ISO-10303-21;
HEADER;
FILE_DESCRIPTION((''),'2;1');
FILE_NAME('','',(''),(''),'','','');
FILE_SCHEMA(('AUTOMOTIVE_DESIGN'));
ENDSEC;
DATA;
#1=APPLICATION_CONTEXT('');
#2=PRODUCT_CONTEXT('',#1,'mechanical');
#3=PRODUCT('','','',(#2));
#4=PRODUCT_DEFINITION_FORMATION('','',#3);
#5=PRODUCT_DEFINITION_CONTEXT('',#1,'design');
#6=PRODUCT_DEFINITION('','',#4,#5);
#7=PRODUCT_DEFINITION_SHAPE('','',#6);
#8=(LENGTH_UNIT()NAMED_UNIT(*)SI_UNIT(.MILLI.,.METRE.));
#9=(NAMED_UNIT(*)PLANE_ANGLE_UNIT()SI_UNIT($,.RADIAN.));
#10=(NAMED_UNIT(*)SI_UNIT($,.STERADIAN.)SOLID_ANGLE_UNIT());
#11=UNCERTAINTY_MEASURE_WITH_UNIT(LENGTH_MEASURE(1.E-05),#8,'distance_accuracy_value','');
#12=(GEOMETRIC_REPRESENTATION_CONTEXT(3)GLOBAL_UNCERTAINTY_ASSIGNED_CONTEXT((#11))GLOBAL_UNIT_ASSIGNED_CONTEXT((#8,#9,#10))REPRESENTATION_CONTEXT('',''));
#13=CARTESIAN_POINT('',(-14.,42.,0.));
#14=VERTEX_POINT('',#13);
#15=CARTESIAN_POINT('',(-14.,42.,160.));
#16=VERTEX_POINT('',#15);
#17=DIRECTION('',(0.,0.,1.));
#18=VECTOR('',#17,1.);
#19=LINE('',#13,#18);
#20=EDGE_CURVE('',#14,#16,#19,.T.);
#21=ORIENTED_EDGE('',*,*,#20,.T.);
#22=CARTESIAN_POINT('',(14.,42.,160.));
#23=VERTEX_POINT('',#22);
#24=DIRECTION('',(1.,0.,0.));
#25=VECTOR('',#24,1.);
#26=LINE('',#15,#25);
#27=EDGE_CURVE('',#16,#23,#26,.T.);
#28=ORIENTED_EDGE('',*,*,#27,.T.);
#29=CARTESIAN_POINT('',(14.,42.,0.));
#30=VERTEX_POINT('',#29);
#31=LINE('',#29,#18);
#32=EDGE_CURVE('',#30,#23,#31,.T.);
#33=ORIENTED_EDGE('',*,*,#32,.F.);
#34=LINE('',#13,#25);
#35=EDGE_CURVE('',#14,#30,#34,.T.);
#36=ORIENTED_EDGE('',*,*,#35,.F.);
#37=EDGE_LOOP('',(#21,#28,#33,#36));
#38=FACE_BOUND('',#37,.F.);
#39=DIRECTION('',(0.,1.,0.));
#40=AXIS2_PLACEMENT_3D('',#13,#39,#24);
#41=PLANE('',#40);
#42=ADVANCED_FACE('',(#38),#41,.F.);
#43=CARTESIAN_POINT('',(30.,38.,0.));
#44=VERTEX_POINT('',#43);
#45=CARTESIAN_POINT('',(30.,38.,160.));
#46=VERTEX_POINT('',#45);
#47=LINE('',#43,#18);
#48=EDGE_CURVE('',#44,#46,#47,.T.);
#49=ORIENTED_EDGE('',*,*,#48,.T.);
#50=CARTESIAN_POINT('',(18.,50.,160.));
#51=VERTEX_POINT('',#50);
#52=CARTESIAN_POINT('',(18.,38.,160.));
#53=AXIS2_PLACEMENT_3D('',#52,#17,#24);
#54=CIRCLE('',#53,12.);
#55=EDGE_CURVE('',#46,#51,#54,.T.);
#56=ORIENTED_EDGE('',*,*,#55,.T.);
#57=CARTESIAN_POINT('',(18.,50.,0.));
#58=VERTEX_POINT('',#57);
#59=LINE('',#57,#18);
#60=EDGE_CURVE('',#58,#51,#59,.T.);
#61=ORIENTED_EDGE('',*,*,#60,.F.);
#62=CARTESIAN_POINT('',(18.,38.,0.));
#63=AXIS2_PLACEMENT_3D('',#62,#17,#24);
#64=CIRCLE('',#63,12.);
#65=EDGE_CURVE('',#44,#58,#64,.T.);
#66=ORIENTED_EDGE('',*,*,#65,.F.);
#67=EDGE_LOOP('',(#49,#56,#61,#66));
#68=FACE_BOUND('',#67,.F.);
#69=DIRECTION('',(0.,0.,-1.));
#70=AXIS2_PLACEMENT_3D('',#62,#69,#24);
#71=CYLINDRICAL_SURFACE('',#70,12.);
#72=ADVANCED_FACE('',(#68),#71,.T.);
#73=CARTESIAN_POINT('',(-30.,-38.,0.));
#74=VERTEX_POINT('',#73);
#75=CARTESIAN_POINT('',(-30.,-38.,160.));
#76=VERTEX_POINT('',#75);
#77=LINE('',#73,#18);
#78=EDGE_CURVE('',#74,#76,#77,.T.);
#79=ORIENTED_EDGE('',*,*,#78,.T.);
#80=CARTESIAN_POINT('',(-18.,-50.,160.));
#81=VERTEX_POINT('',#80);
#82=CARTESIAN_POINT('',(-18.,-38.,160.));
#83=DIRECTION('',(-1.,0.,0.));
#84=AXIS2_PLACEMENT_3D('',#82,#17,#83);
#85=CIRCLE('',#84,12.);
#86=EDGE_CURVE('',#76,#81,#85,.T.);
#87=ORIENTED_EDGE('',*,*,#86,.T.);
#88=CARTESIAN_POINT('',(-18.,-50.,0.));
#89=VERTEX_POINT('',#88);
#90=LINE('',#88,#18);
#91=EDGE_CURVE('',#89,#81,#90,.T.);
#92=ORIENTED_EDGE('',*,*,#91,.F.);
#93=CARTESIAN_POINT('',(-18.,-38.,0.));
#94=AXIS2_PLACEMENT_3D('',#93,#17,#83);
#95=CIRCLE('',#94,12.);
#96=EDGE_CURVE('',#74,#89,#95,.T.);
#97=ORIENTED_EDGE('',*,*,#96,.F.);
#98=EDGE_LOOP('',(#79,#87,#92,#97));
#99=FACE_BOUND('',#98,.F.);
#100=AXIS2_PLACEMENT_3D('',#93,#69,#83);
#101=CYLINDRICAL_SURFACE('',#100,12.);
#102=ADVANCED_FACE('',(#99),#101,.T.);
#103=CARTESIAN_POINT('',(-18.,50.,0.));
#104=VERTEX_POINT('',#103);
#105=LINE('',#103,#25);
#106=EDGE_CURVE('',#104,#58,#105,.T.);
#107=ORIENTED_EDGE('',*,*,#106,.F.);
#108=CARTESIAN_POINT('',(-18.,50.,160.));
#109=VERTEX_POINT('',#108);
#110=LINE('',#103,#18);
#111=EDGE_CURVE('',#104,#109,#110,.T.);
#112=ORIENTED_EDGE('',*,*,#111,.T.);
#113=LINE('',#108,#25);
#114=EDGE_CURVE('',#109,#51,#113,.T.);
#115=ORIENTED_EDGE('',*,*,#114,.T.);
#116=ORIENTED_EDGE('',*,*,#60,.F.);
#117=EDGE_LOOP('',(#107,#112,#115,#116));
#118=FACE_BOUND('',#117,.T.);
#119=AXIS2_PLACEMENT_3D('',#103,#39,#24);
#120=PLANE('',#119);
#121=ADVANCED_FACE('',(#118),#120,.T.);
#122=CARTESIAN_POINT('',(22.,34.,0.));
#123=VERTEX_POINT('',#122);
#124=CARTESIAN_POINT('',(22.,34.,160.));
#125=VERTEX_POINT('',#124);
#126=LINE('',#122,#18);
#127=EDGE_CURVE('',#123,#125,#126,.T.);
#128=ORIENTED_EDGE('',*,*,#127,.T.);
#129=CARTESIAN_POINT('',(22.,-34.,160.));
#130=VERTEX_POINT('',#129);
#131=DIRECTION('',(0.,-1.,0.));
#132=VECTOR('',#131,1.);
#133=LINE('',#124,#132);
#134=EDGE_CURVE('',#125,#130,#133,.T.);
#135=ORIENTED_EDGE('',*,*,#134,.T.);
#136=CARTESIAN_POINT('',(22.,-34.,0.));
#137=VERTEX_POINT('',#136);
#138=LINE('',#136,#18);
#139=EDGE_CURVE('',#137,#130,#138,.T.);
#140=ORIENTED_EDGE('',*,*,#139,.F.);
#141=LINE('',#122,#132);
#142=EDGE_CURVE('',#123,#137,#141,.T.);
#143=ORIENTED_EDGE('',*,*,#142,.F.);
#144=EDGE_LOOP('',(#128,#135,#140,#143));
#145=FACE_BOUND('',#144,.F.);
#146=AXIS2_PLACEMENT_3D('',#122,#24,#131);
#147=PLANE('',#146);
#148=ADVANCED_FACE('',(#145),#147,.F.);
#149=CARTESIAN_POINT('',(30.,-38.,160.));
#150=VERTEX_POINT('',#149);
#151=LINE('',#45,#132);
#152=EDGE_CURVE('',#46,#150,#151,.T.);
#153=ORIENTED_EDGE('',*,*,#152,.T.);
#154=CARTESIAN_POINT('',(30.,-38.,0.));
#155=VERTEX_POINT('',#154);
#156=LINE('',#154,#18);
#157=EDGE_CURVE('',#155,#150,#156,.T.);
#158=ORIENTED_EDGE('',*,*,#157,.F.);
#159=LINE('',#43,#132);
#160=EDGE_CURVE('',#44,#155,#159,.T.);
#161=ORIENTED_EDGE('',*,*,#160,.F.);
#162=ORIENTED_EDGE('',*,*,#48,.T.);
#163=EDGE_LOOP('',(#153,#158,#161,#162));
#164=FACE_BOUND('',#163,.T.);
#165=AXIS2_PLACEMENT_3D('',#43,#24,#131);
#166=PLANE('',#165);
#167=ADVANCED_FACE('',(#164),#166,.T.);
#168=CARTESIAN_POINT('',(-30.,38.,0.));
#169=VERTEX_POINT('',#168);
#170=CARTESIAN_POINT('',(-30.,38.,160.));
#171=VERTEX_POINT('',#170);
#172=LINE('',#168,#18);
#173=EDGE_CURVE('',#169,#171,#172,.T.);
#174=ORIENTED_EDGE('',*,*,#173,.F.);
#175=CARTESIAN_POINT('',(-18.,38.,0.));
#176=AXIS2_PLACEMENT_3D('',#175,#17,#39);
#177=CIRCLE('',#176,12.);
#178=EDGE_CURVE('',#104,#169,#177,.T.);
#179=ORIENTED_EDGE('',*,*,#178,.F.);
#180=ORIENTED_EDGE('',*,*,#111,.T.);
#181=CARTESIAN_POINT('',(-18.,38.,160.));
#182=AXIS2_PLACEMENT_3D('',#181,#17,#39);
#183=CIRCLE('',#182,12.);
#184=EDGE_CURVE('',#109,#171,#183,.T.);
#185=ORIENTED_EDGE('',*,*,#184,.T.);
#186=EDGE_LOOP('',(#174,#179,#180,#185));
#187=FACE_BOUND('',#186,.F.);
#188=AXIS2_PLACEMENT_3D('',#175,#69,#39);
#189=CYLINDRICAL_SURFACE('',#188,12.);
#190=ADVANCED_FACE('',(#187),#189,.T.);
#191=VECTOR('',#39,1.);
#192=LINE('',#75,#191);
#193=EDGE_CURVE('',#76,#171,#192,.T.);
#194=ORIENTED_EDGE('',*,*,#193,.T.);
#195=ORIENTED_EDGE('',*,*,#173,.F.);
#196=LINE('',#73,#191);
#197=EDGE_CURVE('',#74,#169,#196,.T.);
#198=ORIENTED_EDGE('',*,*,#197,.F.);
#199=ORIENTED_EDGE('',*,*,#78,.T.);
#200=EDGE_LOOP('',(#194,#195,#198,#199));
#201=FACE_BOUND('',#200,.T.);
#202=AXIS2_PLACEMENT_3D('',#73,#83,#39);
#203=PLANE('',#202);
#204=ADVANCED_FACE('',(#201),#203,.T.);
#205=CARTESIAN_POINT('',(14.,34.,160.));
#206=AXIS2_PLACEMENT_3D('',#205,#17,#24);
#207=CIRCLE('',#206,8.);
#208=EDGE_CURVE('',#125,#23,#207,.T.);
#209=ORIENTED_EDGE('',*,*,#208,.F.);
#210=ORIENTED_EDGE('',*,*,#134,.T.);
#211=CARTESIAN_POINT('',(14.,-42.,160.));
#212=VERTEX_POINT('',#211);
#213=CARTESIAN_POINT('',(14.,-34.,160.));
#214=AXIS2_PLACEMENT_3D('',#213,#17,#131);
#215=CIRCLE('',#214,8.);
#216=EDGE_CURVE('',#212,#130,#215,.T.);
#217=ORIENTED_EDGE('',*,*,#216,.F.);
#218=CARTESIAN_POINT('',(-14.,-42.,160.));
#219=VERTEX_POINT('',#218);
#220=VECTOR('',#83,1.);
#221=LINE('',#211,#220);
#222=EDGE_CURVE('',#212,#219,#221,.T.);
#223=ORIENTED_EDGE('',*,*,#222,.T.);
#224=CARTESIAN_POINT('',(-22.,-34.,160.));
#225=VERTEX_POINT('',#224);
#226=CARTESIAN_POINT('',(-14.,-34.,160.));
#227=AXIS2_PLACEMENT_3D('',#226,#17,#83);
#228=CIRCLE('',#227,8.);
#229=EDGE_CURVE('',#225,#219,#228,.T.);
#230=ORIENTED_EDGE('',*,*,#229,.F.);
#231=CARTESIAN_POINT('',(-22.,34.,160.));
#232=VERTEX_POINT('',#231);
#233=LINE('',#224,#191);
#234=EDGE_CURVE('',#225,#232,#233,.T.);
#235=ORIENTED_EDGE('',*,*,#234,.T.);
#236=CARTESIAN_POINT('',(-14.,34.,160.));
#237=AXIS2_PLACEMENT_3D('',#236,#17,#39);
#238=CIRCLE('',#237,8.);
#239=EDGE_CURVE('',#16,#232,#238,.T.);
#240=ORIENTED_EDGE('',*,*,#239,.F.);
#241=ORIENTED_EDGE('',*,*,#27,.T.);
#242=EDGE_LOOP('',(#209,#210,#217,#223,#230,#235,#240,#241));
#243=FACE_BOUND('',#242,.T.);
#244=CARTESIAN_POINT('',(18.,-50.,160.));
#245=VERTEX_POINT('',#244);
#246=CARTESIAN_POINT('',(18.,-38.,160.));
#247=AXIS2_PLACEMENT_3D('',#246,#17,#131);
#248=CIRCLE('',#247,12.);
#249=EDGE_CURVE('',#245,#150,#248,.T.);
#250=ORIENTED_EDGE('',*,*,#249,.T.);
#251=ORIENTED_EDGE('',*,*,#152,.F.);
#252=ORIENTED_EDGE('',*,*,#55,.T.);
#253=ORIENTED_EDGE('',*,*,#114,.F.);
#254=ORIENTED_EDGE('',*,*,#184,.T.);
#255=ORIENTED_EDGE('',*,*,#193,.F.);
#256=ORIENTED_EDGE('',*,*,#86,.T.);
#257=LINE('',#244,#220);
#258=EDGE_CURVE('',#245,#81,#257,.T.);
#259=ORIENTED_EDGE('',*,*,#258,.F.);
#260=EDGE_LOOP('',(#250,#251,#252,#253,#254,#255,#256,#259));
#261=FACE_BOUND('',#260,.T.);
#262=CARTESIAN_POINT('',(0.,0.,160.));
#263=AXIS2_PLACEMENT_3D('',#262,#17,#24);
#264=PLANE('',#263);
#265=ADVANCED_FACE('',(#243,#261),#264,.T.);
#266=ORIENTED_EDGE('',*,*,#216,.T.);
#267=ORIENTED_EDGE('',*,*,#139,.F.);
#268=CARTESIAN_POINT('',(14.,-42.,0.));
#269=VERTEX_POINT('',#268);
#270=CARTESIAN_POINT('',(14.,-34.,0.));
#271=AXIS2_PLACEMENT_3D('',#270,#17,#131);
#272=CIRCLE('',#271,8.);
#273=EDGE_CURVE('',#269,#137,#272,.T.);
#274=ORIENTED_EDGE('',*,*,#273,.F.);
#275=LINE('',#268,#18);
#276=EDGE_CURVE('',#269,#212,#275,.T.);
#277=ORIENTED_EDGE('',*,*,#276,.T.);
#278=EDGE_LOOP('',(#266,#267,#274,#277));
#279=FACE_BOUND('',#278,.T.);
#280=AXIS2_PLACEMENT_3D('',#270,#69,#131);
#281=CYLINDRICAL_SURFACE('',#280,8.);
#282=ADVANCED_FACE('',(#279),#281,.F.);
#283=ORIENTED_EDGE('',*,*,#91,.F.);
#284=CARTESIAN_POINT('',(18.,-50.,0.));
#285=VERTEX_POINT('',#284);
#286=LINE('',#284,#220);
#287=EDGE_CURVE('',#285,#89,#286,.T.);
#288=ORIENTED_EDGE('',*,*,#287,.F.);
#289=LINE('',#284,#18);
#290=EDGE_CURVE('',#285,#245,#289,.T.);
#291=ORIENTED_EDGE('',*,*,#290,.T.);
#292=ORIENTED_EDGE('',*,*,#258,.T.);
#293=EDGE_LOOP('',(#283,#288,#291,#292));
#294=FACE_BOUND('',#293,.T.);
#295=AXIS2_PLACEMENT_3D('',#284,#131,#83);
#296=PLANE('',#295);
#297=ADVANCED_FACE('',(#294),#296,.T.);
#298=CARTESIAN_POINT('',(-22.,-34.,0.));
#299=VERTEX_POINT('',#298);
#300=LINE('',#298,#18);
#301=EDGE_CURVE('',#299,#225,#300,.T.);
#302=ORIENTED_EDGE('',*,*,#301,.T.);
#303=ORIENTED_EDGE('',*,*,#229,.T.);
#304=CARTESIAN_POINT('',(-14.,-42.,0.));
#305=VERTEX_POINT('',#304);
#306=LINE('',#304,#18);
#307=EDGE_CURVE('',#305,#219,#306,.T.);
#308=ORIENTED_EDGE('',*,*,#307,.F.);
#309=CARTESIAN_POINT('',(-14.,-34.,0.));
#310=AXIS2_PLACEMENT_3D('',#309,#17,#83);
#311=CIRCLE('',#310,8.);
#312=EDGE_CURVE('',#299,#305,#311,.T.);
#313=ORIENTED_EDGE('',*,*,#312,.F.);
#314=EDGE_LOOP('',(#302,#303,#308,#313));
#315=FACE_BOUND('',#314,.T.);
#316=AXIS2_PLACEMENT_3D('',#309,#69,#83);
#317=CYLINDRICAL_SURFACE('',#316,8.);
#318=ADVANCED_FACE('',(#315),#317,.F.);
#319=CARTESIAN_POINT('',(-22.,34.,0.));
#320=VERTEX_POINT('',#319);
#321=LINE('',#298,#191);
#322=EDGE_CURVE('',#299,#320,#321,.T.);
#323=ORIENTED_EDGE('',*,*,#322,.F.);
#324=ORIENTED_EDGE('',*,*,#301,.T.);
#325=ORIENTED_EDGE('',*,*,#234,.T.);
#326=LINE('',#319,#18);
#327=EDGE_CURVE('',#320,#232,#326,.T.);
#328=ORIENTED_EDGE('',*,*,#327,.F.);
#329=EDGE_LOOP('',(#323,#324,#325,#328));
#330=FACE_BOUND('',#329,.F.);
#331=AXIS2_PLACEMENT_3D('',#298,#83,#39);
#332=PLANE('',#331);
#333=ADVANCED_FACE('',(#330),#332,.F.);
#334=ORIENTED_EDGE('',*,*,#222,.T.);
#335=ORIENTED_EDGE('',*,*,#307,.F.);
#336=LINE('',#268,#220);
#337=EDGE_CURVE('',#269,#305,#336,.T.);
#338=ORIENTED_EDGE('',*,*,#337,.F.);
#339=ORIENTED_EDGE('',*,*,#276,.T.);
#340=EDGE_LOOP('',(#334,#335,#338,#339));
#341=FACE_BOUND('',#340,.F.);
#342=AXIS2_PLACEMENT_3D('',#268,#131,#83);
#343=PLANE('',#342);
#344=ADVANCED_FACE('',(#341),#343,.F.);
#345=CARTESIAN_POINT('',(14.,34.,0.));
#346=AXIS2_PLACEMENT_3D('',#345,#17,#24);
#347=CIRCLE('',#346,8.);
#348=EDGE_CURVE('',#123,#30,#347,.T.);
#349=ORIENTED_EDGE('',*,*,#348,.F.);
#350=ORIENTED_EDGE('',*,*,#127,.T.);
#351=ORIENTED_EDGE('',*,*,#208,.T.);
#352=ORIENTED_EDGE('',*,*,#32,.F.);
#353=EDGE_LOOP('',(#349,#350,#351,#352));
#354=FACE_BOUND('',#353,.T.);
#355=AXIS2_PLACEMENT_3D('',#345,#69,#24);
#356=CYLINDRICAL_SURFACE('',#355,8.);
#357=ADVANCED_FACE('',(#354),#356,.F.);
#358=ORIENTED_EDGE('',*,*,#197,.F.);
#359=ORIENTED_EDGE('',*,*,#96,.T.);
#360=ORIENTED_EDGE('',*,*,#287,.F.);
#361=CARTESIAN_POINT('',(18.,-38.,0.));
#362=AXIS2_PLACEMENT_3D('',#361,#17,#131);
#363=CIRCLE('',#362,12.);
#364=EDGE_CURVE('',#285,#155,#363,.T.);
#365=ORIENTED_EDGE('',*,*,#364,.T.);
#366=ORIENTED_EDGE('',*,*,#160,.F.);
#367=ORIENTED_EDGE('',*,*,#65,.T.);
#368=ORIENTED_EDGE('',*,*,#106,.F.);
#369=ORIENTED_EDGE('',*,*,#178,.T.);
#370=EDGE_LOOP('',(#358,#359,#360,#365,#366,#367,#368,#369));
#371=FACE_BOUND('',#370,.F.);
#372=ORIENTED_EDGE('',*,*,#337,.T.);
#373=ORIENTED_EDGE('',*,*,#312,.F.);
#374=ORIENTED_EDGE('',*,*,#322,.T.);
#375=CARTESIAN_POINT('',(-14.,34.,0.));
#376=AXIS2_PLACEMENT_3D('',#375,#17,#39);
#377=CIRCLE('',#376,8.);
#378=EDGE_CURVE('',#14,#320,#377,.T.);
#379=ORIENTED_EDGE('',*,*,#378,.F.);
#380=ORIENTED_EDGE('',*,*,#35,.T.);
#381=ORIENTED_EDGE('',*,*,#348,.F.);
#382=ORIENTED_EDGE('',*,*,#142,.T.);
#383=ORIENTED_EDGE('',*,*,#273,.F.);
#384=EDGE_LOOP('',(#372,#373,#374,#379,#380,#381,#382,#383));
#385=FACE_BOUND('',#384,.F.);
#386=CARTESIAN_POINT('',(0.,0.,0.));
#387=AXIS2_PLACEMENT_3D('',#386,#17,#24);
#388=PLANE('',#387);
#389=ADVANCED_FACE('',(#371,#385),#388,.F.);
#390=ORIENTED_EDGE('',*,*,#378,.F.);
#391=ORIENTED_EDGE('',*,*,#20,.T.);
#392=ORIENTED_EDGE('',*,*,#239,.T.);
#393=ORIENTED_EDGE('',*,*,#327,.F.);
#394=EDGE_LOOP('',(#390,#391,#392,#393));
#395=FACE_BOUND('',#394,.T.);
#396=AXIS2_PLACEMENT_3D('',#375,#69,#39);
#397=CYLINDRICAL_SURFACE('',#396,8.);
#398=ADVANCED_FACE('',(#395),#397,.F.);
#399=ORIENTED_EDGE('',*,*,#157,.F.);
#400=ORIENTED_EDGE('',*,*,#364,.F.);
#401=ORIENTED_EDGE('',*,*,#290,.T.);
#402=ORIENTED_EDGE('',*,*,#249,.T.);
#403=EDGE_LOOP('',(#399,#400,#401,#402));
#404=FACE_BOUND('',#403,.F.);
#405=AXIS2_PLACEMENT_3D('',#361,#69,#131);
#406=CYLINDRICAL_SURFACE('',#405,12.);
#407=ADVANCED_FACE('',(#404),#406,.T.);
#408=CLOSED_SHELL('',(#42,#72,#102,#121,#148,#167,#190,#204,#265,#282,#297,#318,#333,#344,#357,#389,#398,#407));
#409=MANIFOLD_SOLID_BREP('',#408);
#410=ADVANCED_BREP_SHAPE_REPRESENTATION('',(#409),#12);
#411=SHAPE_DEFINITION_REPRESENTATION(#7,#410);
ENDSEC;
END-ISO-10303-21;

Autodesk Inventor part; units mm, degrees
ref_plane "YZ Plane" through (0, 0, 0) normal (1, 0, 0) x (0, 1, 0)
ref_plane "Startebene" through (0, 0, 0) normal (0, 0, 1) x (1, 0, 0)
ref_plane "Endebene" through (0, 0, 160) normal (0, 0, 1) x (1, 0, 0)
sketch "Skizze" plane through (0, 0, 0) normal (0, 0, 1) x (1, 0, 0)
  line L0 (-30, -38) -> (-30, 38)
  line L1 (-18, 50) -> (18, 50)
  line L2 (30, 38) -> (30, -38)
  line L3 (18, -50) -> (-18, -50)
  arc A0 (-30, -38) -> (-18, -50) centre (-18, -38) ccw
  arc A1 (-18, 50) -> (-30, 38) centre (-18, 38) ccw
  arc A2 (30, 38) -> (18, 50) centre (18, 38) ccw
  arc A3 (18, -50) -> (30, -38) centre (18, -38) ccw
  line L4 (-14, 42) -> (14, 42)
  line L5 (22, 34) -> (22, -34)
  line L6 (14, -42) -> (-14, -42)
  line L7 (-22, -34) -> (-22, 34)
  line L8 (0, 73.4794) -> (0, -73.4794) construction
  line L9 (-45.4794, 0) -> (45.4794, 0) construction
  arc A4 (-22, -34) -> (-14, -42) centre (-14, -34) ccw
  arc A5 (-14, 42) -> (-22, 34) centre (-14, 34) ccw
  arc A6 (22, 34) -> (14, 42) centre (14, 34) ccw
  arc A7 (14, -42) -> (22, -34) centre (14, -34) ccw
  dimension "d7" = 12
  dimension "d10" = 100
  dimension "d11" = 60
  dimension "d12" = 8
  dimension "d15" = 50
  dimension "d16" = 30
  dimension "d19" = 8
  dimension "d20" = 8
extrude "Körper" add sketch "Skizze" along normal up to surface (160 mm away) from surface at 0
sketch "Sketch3" plane through (0, 0, 0) normal (0, 0, 1) x (1, 0, 0)
  line L0 (0, 0) -> (10, 0)
ref_plane "Work Plane3" through (0, 0, 0) normal (0, -1, 0) x (1, 0, 0)
sketch "Sketch4" plane through (0, 0, 0) normal (0, -1, 0) x (1, 0, 0)
  line L0 (-2, 0) -> (12, 0)
  line L1 (-2, 160) -> (12, 160)
  dimension "d18" = 160
equation "\"d7\" = G_IR"
equation "\"d10\" = G_H"
equation "\"d11\" = G_W"
equation "\"d12\" = G_T"
equation "\"d15\" = 0.5 * d10"
equation "\"d16\" = 0.5 * d11"
equation "\"d19\" = G_T"
equation "\"d20\" = G_T"
equation "\"d3\" = G_L"
equation "\"G_W\" = 60"
equation "\"G_H\" = 100"
equation "\"G_T\" = 8"
equation "\"G_IR\" = 12"
equation "\"G_L\" = d18"
equation "\"G_OFFSET_START\" = 0"
equation "\"G_OFFSET_END\" = 0"
properties part number "EN 10210-2 - 90 x 50 x 5 - 120" material "Stahl, weich"
